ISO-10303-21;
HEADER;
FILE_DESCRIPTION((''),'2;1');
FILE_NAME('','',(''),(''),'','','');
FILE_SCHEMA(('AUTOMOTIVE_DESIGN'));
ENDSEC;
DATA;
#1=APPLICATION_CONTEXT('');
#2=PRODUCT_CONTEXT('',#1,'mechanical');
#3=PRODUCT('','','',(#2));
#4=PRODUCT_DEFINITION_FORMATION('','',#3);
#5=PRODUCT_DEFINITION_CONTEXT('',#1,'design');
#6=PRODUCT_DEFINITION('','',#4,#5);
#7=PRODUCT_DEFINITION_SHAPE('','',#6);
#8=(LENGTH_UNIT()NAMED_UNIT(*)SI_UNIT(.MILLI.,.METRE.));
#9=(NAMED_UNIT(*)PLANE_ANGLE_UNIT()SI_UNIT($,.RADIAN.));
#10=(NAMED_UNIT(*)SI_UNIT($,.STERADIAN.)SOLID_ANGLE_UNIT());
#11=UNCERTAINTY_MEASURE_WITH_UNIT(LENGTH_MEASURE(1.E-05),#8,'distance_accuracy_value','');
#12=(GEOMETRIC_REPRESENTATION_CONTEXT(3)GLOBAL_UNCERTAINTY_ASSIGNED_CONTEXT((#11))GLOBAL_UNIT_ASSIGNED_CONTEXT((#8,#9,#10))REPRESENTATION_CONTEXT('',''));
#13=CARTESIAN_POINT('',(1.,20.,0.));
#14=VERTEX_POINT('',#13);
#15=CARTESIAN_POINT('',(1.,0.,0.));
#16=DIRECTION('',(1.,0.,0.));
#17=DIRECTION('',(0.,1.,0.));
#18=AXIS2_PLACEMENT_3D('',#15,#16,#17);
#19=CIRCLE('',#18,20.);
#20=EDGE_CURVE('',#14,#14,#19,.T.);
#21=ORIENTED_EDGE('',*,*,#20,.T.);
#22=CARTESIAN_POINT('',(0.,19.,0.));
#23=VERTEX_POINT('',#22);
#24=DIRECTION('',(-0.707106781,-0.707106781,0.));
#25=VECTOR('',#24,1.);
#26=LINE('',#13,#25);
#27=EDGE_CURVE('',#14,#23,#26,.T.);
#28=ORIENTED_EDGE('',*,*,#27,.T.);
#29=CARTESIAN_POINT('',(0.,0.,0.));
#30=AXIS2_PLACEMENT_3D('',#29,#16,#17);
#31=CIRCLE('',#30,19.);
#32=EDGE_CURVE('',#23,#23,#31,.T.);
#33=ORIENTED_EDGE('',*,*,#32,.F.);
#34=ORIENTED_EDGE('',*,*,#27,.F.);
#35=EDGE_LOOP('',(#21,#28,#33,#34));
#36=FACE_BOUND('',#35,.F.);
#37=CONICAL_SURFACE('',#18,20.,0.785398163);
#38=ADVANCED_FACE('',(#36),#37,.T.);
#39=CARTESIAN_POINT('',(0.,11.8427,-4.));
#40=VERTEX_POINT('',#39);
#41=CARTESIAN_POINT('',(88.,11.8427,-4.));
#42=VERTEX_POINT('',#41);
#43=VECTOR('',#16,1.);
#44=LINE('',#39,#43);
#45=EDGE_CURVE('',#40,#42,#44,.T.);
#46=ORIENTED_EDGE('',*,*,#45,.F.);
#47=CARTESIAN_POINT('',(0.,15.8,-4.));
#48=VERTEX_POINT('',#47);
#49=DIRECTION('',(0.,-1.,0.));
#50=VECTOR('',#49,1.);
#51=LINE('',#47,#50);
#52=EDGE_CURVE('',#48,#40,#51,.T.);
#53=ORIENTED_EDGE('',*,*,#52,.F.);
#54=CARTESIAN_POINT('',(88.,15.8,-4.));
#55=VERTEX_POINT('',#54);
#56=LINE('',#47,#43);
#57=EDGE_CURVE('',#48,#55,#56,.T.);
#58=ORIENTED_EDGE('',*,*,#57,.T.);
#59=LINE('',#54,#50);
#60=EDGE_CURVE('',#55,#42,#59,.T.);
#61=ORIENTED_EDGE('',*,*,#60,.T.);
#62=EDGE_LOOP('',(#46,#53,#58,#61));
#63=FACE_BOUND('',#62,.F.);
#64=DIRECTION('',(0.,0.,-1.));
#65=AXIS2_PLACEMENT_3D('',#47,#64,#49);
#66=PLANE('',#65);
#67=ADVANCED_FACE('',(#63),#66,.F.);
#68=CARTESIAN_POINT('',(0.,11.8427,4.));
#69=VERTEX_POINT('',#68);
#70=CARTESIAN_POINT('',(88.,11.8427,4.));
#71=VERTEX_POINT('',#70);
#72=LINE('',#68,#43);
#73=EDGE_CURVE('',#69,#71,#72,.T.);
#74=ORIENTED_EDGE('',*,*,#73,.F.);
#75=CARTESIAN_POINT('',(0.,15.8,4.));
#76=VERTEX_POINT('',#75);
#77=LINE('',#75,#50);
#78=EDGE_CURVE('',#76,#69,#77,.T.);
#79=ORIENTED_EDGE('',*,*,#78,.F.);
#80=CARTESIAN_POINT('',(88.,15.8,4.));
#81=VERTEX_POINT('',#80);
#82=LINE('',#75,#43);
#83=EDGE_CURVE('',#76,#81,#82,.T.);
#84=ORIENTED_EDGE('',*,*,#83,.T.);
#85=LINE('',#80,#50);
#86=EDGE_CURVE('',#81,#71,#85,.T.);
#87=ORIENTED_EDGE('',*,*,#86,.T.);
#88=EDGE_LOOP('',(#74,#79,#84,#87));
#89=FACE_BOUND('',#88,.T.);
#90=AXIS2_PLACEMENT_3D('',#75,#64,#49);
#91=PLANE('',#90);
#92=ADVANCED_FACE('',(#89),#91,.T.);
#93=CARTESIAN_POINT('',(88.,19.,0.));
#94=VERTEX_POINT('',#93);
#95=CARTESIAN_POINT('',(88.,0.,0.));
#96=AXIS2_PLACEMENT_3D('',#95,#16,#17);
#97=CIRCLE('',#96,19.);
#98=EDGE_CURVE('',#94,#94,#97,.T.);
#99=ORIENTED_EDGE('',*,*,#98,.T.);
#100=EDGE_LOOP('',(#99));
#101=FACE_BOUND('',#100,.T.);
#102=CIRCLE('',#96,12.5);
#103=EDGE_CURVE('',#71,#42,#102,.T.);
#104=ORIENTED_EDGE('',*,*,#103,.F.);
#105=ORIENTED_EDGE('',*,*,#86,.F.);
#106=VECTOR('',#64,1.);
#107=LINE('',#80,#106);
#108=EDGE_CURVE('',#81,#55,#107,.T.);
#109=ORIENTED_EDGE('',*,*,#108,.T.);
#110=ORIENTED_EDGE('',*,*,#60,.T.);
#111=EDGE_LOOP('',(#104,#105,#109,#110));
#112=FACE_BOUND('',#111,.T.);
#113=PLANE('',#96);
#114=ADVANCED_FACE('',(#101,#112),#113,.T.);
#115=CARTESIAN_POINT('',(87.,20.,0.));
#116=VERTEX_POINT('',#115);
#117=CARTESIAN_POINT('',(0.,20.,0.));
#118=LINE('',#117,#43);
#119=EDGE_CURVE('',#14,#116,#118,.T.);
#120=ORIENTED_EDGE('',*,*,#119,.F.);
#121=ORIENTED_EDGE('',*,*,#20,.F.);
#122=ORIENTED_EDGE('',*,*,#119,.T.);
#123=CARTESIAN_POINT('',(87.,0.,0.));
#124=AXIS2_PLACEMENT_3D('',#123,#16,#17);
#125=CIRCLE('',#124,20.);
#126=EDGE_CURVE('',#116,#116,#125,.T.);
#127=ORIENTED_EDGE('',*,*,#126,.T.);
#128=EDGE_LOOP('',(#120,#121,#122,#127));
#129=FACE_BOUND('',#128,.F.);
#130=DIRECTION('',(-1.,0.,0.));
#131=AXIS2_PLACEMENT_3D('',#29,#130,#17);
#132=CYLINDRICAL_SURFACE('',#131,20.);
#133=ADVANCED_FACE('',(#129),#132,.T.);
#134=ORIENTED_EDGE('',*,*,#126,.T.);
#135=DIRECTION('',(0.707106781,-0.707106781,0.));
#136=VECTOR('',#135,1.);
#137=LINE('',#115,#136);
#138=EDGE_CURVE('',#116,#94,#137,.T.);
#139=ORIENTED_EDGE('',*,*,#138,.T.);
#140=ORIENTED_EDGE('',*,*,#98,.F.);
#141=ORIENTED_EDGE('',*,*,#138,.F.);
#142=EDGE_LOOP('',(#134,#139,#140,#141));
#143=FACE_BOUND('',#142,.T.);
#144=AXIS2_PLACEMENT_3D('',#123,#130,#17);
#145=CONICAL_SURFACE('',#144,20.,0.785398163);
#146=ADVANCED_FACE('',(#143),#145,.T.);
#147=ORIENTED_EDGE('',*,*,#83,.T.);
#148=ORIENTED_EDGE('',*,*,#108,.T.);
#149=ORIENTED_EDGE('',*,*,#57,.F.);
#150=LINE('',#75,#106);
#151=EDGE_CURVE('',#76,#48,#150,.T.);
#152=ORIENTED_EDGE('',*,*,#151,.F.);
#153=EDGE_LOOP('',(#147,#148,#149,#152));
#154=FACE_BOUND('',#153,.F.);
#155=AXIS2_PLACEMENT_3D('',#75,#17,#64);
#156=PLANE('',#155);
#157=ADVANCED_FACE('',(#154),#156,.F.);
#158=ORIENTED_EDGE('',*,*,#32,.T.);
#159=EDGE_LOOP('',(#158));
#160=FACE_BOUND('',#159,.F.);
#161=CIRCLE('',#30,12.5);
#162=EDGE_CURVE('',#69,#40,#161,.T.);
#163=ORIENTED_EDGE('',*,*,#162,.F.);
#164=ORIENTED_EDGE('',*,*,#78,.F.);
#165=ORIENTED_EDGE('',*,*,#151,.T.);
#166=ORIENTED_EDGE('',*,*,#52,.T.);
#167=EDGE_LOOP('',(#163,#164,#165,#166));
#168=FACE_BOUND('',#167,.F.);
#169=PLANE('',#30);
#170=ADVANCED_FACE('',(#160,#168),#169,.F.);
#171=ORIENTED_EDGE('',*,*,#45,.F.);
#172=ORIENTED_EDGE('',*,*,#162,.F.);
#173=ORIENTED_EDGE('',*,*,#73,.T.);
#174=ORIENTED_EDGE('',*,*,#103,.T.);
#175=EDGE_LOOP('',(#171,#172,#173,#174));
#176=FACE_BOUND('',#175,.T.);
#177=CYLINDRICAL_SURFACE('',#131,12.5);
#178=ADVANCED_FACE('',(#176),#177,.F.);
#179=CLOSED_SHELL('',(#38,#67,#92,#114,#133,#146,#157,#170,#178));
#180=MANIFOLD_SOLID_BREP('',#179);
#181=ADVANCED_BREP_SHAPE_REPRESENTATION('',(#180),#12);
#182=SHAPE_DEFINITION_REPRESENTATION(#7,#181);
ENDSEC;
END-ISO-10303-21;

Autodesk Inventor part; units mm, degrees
ref_plane "YZ Plane" through (0, 0, 0) normal (1, 0, 0) x (0, 1, 0)
ref_plane "XZ Plane" through (0, 0, 0) normal (0, 1, 0) x (-1, 0, 0)
ref_plane "XY Plane" through (0, 0, 0) normal (0, 0, 1) x (1, 0, 0)
sketch "Sketch1" plane through (0, 0, 0) normal (1, 0, 0) x (0, 1, 0)
  circle A0 centre (0, 0) radius 20
  circle A1 centre (0, 0) radius 12.5
  line L0 (15.8, 4) -> (15.8, -4)
  line L1 (15.8, 4) -> (11.8427, 4)
  line L2 (15.8, -4) -> (11.8427, -4)
  dimension "d0" = 40
  dimension "d1" = 25
  dimension "d2" = 8
  dimension "d3" = 4
  dimension "d4" = 15.8
extrude "Extrusion1" add sketch "Sketch1" along normal blind 88
chamfer "Chamfer1" distance 1 angle 45 2 edges at (88, -20, 0) (0, -20, 0)
properties part number "outputshaft nmrv50"
